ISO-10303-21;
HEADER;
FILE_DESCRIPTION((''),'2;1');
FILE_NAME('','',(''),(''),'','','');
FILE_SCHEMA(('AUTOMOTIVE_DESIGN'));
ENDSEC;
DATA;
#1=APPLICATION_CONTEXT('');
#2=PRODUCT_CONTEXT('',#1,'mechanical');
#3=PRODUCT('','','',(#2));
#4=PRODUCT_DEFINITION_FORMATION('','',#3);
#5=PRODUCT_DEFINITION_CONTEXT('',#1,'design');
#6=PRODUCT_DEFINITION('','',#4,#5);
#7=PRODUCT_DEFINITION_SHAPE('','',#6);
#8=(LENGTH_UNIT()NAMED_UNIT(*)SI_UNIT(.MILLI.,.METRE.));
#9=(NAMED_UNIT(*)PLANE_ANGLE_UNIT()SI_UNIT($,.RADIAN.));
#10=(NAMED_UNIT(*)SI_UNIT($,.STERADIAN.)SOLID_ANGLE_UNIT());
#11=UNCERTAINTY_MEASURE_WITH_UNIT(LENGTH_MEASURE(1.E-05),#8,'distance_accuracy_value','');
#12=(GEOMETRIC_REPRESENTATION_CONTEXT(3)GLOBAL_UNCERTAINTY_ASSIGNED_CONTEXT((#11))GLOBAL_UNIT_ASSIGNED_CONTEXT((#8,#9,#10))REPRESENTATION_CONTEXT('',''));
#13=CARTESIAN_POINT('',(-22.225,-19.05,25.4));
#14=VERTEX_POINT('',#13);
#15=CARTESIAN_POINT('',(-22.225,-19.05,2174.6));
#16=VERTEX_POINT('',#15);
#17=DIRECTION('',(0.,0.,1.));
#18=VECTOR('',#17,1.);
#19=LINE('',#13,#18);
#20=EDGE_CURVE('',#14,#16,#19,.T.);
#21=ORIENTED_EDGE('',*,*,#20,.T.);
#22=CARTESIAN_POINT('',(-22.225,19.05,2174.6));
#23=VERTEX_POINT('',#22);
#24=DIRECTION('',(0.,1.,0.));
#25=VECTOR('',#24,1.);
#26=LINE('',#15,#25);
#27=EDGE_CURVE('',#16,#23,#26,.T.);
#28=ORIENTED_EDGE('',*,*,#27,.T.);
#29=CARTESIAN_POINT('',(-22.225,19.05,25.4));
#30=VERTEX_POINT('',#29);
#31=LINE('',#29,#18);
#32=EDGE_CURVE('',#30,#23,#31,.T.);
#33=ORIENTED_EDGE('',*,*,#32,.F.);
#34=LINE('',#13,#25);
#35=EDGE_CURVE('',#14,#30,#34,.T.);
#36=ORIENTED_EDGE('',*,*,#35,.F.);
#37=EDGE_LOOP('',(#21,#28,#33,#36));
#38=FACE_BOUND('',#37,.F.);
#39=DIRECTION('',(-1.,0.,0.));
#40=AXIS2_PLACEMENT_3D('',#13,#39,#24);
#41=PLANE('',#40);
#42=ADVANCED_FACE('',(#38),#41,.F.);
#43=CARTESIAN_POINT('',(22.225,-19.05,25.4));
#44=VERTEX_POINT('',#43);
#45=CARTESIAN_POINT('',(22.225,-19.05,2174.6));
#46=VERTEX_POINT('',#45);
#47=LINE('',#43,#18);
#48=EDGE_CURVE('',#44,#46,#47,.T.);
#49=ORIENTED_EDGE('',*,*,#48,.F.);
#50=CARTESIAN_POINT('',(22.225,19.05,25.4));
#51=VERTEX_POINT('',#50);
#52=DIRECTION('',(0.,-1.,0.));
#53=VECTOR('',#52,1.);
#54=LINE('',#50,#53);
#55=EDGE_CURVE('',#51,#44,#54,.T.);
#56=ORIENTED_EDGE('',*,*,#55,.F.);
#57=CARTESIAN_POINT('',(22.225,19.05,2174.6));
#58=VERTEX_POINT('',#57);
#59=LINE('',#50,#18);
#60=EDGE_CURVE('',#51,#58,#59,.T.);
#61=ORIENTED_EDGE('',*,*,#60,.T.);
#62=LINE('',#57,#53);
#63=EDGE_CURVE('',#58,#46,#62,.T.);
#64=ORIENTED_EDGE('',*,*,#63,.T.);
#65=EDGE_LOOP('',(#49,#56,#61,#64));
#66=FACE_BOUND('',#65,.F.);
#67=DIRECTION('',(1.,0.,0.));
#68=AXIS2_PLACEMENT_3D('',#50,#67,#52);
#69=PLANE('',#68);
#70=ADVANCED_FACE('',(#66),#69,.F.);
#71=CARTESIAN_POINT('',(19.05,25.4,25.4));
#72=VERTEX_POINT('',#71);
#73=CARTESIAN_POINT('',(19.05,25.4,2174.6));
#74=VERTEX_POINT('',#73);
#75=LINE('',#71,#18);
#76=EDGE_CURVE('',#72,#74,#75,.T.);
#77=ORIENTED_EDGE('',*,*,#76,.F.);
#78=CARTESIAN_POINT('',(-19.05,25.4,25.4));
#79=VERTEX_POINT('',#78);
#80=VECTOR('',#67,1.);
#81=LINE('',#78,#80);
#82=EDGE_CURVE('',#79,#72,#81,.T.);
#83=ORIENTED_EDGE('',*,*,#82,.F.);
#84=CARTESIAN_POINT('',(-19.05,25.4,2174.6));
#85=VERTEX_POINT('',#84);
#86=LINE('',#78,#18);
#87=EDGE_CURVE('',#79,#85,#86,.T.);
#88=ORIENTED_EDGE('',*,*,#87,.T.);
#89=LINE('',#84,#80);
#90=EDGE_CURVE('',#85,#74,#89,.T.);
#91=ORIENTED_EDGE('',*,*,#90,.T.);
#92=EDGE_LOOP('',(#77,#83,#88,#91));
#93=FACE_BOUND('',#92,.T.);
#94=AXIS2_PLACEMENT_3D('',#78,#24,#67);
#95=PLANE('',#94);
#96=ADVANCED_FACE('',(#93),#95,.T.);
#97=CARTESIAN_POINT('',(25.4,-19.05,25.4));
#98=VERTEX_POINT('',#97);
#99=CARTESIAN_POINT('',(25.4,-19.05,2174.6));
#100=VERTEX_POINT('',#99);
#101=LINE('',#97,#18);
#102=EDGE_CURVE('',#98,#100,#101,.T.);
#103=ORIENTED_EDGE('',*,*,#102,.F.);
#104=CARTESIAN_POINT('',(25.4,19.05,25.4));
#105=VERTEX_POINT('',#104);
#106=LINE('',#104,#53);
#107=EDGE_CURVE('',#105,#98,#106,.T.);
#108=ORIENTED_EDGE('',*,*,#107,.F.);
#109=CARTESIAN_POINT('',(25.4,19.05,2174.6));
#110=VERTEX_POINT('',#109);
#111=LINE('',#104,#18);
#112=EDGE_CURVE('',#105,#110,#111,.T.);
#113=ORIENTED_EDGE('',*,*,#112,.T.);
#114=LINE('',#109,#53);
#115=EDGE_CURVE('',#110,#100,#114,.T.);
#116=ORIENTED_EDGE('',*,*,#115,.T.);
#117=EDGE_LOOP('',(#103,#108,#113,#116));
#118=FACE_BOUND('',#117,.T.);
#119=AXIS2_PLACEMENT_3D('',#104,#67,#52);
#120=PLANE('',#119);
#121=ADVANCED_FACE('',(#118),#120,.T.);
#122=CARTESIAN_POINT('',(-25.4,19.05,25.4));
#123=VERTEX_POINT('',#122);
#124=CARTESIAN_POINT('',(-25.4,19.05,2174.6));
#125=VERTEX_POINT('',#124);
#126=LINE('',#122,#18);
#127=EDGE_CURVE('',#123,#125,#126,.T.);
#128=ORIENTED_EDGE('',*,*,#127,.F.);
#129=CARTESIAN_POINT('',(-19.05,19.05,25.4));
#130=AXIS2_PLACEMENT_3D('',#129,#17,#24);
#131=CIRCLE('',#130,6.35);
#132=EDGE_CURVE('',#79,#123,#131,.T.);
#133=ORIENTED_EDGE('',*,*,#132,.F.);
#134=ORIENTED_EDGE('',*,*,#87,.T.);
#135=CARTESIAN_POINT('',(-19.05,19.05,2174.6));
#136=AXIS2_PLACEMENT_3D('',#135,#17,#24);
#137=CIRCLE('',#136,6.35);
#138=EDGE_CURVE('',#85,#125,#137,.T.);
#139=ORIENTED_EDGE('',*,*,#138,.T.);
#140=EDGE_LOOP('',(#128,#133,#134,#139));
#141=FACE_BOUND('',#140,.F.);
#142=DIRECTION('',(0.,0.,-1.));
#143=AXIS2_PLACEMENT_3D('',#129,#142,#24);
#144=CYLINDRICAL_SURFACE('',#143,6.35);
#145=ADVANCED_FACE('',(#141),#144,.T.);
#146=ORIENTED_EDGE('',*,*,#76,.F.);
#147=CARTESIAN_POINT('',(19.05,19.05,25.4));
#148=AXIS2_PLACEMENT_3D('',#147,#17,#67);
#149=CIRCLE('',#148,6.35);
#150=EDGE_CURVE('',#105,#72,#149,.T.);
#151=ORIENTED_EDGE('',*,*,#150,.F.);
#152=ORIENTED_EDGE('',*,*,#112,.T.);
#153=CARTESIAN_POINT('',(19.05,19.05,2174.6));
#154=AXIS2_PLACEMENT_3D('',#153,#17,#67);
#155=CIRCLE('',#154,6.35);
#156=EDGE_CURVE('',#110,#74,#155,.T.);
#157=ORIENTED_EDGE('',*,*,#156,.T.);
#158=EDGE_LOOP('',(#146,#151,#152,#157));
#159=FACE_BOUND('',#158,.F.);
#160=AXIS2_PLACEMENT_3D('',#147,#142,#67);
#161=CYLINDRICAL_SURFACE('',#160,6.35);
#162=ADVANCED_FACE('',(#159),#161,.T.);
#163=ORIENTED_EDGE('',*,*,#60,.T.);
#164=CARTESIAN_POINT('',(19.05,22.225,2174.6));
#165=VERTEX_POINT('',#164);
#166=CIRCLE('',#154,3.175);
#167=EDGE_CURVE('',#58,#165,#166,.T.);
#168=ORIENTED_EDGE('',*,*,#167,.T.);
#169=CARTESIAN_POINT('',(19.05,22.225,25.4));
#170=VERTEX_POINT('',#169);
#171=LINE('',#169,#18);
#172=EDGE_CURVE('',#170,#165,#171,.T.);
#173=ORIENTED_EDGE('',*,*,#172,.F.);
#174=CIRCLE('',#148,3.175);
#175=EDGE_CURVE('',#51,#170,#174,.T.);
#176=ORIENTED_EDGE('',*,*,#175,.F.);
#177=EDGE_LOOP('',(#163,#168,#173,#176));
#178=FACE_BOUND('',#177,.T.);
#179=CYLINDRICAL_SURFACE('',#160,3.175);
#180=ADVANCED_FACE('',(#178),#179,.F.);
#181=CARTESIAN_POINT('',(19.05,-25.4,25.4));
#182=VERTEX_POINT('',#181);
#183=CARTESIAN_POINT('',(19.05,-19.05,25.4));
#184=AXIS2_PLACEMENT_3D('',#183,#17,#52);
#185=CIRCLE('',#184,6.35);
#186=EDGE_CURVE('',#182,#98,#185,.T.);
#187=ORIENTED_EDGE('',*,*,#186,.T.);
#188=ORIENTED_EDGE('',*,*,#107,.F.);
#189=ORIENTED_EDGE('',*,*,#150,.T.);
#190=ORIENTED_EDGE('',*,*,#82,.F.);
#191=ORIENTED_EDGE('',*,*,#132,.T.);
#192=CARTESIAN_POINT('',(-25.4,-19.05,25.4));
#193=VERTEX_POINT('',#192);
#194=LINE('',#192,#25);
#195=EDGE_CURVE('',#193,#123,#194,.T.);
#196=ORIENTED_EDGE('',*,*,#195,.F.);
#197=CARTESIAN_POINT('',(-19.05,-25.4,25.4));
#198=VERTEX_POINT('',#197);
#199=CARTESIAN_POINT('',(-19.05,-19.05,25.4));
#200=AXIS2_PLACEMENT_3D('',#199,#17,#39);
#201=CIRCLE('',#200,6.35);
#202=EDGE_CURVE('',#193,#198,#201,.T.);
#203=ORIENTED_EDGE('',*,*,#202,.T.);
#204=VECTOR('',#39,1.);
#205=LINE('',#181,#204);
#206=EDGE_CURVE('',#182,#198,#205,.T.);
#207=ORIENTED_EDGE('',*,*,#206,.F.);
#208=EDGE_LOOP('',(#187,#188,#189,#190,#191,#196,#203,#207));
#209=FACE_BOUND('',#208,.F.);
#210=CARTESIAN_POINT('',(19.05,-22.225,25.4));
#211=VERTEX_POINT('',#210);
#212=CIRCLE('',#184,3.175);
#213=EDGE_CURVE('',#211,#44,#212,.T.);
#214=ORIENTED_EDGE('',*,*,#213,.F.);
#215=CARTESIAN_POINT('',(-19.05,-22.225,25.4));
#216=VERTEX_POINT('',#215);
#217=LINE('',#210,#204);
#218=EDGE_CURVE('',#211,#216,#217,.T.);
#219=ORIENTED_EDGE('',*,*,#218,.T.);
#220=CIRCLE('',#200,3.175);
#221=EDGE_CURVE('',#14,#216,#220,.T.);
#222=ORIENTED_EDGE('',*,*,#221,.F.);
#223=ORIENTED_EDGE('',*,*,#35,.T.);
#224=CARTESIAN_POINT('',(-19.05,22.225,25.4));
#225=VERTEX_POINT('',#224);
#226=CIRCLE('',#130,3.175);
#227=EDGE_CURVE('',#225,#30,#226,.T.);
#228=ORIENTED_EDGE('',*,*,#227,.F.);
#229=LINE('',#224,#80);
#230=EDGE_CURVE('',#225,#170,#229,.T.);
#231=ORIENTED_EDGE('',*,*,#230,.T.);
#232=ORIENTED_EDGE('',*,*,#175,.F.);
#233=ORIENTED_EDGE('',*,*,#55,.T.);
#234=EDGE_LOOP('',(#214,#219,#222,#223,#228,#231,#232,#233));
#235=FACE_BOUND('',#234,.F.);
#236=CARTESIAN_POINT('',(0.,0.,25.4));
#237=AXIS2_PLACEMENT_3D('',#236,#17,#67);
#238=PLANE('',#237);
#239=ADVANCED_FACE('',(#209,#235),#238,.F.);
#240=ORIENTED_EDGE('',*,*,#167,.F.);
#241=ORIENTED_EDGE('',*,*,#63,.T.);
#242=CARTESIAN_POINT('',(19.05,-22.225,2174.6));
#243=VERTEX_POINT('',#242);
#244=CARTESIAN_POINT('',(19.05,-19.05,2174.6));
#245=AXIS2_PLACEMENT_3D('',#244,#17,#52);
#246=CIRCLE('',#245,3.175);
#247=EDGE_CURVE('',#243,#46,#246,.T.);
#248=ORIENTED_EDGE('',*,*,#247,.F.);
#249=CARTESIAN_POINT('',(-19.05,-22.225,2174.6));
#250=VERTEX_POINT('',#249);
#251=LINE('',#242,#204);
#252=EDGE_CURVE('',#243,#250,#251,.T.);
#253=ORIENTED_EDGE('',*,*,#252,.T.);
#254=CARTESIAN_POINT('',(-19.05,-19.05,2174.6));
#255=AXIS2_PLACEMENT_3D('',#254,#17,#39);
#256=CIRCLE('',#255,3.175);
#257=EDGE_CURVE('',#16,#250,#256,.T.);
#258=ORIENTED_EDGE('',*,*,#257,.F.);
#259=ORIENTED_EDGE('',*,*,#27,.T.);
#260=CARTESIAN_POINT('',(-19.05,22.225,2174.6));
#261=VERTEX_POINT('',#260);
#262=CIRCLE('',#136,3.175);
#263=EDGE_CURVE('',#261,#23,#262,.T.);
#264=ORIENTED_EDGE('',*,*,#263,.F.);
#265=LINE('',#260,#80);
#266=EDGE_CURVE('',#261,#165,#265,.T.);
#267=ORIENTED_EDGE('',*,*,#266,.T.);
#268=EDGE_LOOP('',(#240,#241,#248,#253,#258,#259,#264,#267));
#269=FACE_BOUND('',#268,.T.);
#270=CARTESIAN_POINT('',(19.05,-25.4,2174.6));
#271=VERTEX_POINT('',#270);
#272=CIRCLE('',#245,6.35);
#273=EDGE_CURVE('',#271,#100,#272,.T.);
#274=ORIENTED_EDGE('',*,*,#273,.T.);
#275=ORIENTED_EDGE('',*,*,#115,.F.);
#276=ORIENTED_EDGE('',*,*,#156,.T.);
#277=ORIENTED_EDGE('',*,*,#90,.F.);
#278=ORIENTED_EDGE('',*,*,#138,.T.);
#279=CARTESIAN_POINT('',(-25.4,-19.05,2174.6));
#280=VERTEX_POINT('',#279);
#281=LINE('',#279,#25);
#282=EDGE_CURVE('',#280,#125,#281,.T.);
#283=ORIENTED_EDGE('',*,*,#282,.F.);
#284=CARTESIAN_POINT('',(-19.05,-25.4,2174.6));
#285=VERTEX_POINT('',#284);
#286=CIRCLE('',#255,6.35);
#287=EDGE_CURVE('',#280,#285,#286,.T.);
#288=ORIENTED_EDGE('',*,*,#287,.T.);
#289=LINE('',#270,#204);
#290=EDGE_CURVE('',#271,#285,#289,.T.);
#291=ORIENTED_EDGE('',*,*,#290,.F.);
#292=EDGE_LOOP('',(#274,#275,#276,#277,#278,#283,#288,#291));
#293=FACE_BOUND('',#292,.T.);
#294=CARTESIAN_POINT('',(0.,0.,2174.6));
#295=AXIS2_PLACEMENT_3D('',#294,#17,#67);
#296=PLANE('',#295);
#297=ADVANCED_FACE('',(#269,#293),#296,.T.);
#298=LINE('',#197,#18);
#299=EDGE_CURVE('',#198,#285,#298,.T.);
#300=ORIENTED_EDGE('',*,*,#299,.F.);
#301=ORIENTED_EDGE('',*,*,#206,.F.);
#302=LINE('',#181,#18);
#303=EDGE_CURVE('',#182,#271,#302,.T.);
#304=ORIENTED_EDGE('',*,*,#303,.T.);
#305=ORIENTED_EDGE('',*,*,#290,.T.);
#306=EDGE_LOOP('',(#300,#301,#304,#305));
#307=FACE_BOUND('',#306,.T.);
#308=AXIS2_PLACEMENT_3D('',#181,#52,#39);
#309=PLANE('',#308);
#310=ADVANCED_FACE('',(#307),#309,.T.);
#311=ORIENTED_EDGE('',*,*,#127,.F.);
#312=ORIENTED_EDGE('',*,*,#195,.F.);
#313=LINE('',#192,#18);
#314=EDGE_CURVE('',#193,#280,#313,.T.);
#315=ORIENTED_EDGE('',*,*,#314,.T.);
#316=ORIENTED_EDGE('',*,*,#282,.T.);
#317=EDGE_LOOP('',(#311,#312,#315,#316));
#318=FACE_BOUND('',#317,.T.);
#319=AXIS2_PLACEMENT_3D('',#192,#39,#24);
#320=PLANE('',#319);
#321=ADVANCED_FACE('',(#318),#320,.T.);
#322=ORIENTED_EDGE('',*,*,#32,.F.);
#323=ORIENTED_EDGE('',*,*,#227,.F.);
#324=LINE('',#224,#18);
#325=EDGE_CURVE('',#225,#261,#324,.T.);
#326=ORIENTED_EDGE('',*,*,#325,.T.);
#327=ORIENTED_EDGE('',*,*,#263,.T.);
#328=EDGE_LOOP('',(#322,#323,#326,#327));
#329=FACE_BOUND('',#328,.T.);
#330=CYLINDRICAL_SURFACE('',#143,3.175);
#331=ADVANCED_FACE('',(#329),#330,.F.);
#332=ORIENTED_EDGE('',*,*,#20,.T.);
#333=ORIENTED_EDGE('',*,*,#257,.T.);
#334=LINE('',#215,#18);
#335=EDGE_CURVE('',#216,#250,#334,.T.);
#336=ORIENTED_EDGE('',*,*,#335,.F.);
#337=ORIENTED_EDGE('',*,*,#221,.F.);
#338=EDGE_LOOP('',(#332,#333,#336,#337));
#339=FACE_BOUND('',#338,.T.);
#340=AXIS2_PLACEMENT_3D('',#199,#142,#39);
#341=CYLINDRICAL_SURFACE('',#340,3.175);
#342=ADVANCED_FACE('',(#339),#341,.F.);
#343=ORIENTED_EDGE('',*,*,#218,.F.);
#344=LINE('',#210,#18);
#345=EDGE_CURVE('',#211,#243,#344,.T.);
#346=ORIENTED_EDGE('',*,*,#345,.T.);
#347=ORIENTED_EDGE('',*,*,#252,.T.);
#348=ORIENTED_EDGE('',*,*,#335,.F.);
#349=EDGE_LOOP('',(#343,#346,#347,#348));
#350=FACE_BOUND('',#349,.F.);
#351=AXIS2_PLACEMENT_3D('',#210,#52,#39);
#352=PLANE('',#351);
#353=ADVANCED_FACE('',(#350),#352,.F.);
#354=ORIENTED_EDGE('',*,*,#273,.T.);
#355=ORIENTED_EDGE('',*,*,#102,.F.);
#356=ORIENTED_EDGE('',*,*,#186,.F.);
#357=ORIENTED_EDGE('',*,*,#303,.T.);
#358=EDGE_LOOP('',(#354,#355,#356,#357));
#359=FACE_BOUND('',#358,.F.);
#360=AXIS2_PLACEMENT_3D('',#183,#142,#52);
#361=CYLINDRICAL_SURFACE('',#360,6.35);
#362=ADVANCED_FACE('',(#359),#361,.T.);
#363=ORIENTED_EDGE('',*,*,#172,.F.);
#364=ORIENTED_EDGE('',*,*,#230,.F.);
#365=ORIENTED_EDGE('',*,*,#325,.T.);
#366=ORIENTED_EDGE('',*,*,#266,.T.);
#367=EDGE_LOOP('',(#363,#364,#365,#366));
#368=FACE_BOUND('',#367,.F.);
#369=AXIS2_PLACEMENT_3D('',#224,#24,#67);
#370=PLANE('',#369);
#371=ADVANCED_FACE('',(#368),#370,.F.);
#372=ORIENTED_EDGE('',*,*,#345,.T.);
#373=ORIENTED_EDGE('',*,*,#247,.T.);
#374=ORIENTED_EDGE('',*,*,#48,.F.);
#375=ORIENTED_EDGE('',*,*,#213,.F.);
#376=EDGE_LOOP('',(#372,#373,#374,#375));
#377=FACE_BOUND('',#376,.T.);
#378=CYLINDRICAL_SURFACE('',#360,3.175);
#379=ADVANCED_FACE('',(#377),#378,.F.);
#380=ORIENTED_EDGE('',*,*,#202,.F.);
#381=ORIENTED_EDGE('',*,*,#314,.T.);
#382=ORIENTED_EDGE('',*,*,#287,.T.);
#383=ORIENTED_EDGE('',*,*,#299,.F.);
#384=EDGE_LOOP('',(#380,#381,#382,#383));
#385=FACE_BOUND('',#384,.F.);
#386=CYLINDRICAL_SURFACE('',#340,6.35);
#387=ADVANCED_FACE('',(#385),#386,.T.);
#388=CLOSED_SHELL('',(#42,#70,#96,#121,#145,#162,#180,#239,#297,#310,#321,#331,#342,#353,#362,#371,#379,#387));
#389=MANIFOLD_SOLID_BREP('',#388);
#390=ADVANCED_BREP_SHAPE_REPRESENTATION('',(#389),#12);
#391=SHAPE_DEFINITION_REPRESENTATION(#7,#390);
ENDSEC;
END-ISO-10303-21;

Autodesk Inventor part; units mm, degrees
ref_plane "Plano inicial" through (0, 0, 25.4) normal (0, 0, 1) x (1, 0, 0)
ref_plane "Plano final" through (0, 0, 2174.6) normal (0, 0, 1) x (1, 0, 0)
sketch "Boceto" plane through (0, 0, 0) normal (0, 0, 1) x (1, 0, 0)
  line L0 (-25.4, -19.05) -> (-25.4, 19.05)
  line L1 (-19.05, 25.4) -> (19.05, 25.4)
  line L2 (25.4, 19.05) -> (25.4, -19.05)
  line L3 (19.05, -25.4) -> (-19.05, -25.4)
  arc A0 (-25.4, -19.05) -> (-19.05, -25.4) centre (-19.05, -19.05) ccw
  arc A1 (-19.05, 25.4) -> (-25.4, 19.05) centre (-19.05, 19.05) ccw
  arc A2 (25.4, 19.05) -> (19.05, 25.4) centre (19.05, 19.05) ccw
  arc A3 (19.05, -25.4) -> (25.4, -19.05) centre (19.05, -19.05) ccw
  arc A4 (-19.05, 22.225) -> (-22.225, 19.05) centre (-19.05, 19.05) ccw
  line L4 (-19.05, 22.225) -> (19.05, 22.225)
  arc A5 (22.225, 19.05) -> (19.05, 22.225) centre (19.05, 19.05) ccw
  line L5 (22.225, 19.05) -> (22.225, -19.05)
  arc A6 (19.05, -22.225) -> (22.225, -19.05) centre (19.05, -19.05) ccw
  line L6 (19.05, -22.225) -> (-19.05, -22.225)
  arc A7 (-22.225, -19.05) -> (-19.05, -22.225) centre (-19.05, -19.05) ccw
  line L7 (-22.225, -19.05) -> (-22.225, 19.05)
  line L8 (0, 37.4012) -> (0, -37.4012) construction
  line L9 (-37.4012, 0) -> (37.4012, 0) construction
  dimension "d10" = 50.8
  dimension "d11" = 50.8
  dimension "d12" = 3.175
  dimension "d15" = 25.4
  dimension "d16" = 25.4
  dimension "d17" = 6.35
extrude "Cuerpo" add sketch "Boceto" along normal up to surface (2149.2 mm away) from surface at 25.4
sketch "Sketch3" plane through (0, 0, 0) normal (0, 0, 1) x (1, 0, 0)
  line L0 (0, 0) -> (10, 0)
ref_plane "Work Plane3" through (0, 0, 0) normal (0, -1, 0) x (1, 0, 0)
ref_plane "Plano de trabajo4" through (580.95, 0, 25.4) normal (0, 0, -1) x (-1, 0, 0)
split "Dividir1" plane through (580.95, 0, 25.4) removes the side toward (0, 0, -1)
ref_plane "Plano de trabajo5" through (600, -19.05, 2174.6) normal (0, 0, 1) x (1, 0, 0)
split "Dividir2" plane through (600, -19.05, 2174.6) removes the side toward (0, 0, 1)
sketch "Sketch4" plane through (0, 0, 0) normal (0, -1, 0) x (1, 0, 0)
  line L0 (-2, 25.4) -> (12, 25.4) projected
  line L1 (-2, 2174.6) -> (12, 2174.6) projected
  dimension "d19" = 2149.2
equation "\"d10\" = G_H"
equation "\"d11\" = G_W"
equation "\"d12\" = G_T"
equation "\"d15\" = 0.5 * d10"
equation "\"d16\" = 0.5 * d11"
equation "\"d17\" = G_IR"
equation "\"d3\" = G_L"
equation "\"G_W\" = 50.8"
equation "\"G_H\" = 50.8"
equation "\"G_T\" = 3.175"
equation "\"G_IR\" = 6.35"
equation "\"G_L\" = d19"
equation "\"G_OFFSET_START\" = -25.4"
equation "\"G_OFFSET_END\" = -25.4"
equation "\"d13\" = -G_OFFSET_START"
equation "\"d14\" = G_OFFSET_END + B_L"
equation "\"B_L\" = 2200"
properties part number "AISC - 2 x 2 x 1/8 - 84,614" material "Acero, suave"
